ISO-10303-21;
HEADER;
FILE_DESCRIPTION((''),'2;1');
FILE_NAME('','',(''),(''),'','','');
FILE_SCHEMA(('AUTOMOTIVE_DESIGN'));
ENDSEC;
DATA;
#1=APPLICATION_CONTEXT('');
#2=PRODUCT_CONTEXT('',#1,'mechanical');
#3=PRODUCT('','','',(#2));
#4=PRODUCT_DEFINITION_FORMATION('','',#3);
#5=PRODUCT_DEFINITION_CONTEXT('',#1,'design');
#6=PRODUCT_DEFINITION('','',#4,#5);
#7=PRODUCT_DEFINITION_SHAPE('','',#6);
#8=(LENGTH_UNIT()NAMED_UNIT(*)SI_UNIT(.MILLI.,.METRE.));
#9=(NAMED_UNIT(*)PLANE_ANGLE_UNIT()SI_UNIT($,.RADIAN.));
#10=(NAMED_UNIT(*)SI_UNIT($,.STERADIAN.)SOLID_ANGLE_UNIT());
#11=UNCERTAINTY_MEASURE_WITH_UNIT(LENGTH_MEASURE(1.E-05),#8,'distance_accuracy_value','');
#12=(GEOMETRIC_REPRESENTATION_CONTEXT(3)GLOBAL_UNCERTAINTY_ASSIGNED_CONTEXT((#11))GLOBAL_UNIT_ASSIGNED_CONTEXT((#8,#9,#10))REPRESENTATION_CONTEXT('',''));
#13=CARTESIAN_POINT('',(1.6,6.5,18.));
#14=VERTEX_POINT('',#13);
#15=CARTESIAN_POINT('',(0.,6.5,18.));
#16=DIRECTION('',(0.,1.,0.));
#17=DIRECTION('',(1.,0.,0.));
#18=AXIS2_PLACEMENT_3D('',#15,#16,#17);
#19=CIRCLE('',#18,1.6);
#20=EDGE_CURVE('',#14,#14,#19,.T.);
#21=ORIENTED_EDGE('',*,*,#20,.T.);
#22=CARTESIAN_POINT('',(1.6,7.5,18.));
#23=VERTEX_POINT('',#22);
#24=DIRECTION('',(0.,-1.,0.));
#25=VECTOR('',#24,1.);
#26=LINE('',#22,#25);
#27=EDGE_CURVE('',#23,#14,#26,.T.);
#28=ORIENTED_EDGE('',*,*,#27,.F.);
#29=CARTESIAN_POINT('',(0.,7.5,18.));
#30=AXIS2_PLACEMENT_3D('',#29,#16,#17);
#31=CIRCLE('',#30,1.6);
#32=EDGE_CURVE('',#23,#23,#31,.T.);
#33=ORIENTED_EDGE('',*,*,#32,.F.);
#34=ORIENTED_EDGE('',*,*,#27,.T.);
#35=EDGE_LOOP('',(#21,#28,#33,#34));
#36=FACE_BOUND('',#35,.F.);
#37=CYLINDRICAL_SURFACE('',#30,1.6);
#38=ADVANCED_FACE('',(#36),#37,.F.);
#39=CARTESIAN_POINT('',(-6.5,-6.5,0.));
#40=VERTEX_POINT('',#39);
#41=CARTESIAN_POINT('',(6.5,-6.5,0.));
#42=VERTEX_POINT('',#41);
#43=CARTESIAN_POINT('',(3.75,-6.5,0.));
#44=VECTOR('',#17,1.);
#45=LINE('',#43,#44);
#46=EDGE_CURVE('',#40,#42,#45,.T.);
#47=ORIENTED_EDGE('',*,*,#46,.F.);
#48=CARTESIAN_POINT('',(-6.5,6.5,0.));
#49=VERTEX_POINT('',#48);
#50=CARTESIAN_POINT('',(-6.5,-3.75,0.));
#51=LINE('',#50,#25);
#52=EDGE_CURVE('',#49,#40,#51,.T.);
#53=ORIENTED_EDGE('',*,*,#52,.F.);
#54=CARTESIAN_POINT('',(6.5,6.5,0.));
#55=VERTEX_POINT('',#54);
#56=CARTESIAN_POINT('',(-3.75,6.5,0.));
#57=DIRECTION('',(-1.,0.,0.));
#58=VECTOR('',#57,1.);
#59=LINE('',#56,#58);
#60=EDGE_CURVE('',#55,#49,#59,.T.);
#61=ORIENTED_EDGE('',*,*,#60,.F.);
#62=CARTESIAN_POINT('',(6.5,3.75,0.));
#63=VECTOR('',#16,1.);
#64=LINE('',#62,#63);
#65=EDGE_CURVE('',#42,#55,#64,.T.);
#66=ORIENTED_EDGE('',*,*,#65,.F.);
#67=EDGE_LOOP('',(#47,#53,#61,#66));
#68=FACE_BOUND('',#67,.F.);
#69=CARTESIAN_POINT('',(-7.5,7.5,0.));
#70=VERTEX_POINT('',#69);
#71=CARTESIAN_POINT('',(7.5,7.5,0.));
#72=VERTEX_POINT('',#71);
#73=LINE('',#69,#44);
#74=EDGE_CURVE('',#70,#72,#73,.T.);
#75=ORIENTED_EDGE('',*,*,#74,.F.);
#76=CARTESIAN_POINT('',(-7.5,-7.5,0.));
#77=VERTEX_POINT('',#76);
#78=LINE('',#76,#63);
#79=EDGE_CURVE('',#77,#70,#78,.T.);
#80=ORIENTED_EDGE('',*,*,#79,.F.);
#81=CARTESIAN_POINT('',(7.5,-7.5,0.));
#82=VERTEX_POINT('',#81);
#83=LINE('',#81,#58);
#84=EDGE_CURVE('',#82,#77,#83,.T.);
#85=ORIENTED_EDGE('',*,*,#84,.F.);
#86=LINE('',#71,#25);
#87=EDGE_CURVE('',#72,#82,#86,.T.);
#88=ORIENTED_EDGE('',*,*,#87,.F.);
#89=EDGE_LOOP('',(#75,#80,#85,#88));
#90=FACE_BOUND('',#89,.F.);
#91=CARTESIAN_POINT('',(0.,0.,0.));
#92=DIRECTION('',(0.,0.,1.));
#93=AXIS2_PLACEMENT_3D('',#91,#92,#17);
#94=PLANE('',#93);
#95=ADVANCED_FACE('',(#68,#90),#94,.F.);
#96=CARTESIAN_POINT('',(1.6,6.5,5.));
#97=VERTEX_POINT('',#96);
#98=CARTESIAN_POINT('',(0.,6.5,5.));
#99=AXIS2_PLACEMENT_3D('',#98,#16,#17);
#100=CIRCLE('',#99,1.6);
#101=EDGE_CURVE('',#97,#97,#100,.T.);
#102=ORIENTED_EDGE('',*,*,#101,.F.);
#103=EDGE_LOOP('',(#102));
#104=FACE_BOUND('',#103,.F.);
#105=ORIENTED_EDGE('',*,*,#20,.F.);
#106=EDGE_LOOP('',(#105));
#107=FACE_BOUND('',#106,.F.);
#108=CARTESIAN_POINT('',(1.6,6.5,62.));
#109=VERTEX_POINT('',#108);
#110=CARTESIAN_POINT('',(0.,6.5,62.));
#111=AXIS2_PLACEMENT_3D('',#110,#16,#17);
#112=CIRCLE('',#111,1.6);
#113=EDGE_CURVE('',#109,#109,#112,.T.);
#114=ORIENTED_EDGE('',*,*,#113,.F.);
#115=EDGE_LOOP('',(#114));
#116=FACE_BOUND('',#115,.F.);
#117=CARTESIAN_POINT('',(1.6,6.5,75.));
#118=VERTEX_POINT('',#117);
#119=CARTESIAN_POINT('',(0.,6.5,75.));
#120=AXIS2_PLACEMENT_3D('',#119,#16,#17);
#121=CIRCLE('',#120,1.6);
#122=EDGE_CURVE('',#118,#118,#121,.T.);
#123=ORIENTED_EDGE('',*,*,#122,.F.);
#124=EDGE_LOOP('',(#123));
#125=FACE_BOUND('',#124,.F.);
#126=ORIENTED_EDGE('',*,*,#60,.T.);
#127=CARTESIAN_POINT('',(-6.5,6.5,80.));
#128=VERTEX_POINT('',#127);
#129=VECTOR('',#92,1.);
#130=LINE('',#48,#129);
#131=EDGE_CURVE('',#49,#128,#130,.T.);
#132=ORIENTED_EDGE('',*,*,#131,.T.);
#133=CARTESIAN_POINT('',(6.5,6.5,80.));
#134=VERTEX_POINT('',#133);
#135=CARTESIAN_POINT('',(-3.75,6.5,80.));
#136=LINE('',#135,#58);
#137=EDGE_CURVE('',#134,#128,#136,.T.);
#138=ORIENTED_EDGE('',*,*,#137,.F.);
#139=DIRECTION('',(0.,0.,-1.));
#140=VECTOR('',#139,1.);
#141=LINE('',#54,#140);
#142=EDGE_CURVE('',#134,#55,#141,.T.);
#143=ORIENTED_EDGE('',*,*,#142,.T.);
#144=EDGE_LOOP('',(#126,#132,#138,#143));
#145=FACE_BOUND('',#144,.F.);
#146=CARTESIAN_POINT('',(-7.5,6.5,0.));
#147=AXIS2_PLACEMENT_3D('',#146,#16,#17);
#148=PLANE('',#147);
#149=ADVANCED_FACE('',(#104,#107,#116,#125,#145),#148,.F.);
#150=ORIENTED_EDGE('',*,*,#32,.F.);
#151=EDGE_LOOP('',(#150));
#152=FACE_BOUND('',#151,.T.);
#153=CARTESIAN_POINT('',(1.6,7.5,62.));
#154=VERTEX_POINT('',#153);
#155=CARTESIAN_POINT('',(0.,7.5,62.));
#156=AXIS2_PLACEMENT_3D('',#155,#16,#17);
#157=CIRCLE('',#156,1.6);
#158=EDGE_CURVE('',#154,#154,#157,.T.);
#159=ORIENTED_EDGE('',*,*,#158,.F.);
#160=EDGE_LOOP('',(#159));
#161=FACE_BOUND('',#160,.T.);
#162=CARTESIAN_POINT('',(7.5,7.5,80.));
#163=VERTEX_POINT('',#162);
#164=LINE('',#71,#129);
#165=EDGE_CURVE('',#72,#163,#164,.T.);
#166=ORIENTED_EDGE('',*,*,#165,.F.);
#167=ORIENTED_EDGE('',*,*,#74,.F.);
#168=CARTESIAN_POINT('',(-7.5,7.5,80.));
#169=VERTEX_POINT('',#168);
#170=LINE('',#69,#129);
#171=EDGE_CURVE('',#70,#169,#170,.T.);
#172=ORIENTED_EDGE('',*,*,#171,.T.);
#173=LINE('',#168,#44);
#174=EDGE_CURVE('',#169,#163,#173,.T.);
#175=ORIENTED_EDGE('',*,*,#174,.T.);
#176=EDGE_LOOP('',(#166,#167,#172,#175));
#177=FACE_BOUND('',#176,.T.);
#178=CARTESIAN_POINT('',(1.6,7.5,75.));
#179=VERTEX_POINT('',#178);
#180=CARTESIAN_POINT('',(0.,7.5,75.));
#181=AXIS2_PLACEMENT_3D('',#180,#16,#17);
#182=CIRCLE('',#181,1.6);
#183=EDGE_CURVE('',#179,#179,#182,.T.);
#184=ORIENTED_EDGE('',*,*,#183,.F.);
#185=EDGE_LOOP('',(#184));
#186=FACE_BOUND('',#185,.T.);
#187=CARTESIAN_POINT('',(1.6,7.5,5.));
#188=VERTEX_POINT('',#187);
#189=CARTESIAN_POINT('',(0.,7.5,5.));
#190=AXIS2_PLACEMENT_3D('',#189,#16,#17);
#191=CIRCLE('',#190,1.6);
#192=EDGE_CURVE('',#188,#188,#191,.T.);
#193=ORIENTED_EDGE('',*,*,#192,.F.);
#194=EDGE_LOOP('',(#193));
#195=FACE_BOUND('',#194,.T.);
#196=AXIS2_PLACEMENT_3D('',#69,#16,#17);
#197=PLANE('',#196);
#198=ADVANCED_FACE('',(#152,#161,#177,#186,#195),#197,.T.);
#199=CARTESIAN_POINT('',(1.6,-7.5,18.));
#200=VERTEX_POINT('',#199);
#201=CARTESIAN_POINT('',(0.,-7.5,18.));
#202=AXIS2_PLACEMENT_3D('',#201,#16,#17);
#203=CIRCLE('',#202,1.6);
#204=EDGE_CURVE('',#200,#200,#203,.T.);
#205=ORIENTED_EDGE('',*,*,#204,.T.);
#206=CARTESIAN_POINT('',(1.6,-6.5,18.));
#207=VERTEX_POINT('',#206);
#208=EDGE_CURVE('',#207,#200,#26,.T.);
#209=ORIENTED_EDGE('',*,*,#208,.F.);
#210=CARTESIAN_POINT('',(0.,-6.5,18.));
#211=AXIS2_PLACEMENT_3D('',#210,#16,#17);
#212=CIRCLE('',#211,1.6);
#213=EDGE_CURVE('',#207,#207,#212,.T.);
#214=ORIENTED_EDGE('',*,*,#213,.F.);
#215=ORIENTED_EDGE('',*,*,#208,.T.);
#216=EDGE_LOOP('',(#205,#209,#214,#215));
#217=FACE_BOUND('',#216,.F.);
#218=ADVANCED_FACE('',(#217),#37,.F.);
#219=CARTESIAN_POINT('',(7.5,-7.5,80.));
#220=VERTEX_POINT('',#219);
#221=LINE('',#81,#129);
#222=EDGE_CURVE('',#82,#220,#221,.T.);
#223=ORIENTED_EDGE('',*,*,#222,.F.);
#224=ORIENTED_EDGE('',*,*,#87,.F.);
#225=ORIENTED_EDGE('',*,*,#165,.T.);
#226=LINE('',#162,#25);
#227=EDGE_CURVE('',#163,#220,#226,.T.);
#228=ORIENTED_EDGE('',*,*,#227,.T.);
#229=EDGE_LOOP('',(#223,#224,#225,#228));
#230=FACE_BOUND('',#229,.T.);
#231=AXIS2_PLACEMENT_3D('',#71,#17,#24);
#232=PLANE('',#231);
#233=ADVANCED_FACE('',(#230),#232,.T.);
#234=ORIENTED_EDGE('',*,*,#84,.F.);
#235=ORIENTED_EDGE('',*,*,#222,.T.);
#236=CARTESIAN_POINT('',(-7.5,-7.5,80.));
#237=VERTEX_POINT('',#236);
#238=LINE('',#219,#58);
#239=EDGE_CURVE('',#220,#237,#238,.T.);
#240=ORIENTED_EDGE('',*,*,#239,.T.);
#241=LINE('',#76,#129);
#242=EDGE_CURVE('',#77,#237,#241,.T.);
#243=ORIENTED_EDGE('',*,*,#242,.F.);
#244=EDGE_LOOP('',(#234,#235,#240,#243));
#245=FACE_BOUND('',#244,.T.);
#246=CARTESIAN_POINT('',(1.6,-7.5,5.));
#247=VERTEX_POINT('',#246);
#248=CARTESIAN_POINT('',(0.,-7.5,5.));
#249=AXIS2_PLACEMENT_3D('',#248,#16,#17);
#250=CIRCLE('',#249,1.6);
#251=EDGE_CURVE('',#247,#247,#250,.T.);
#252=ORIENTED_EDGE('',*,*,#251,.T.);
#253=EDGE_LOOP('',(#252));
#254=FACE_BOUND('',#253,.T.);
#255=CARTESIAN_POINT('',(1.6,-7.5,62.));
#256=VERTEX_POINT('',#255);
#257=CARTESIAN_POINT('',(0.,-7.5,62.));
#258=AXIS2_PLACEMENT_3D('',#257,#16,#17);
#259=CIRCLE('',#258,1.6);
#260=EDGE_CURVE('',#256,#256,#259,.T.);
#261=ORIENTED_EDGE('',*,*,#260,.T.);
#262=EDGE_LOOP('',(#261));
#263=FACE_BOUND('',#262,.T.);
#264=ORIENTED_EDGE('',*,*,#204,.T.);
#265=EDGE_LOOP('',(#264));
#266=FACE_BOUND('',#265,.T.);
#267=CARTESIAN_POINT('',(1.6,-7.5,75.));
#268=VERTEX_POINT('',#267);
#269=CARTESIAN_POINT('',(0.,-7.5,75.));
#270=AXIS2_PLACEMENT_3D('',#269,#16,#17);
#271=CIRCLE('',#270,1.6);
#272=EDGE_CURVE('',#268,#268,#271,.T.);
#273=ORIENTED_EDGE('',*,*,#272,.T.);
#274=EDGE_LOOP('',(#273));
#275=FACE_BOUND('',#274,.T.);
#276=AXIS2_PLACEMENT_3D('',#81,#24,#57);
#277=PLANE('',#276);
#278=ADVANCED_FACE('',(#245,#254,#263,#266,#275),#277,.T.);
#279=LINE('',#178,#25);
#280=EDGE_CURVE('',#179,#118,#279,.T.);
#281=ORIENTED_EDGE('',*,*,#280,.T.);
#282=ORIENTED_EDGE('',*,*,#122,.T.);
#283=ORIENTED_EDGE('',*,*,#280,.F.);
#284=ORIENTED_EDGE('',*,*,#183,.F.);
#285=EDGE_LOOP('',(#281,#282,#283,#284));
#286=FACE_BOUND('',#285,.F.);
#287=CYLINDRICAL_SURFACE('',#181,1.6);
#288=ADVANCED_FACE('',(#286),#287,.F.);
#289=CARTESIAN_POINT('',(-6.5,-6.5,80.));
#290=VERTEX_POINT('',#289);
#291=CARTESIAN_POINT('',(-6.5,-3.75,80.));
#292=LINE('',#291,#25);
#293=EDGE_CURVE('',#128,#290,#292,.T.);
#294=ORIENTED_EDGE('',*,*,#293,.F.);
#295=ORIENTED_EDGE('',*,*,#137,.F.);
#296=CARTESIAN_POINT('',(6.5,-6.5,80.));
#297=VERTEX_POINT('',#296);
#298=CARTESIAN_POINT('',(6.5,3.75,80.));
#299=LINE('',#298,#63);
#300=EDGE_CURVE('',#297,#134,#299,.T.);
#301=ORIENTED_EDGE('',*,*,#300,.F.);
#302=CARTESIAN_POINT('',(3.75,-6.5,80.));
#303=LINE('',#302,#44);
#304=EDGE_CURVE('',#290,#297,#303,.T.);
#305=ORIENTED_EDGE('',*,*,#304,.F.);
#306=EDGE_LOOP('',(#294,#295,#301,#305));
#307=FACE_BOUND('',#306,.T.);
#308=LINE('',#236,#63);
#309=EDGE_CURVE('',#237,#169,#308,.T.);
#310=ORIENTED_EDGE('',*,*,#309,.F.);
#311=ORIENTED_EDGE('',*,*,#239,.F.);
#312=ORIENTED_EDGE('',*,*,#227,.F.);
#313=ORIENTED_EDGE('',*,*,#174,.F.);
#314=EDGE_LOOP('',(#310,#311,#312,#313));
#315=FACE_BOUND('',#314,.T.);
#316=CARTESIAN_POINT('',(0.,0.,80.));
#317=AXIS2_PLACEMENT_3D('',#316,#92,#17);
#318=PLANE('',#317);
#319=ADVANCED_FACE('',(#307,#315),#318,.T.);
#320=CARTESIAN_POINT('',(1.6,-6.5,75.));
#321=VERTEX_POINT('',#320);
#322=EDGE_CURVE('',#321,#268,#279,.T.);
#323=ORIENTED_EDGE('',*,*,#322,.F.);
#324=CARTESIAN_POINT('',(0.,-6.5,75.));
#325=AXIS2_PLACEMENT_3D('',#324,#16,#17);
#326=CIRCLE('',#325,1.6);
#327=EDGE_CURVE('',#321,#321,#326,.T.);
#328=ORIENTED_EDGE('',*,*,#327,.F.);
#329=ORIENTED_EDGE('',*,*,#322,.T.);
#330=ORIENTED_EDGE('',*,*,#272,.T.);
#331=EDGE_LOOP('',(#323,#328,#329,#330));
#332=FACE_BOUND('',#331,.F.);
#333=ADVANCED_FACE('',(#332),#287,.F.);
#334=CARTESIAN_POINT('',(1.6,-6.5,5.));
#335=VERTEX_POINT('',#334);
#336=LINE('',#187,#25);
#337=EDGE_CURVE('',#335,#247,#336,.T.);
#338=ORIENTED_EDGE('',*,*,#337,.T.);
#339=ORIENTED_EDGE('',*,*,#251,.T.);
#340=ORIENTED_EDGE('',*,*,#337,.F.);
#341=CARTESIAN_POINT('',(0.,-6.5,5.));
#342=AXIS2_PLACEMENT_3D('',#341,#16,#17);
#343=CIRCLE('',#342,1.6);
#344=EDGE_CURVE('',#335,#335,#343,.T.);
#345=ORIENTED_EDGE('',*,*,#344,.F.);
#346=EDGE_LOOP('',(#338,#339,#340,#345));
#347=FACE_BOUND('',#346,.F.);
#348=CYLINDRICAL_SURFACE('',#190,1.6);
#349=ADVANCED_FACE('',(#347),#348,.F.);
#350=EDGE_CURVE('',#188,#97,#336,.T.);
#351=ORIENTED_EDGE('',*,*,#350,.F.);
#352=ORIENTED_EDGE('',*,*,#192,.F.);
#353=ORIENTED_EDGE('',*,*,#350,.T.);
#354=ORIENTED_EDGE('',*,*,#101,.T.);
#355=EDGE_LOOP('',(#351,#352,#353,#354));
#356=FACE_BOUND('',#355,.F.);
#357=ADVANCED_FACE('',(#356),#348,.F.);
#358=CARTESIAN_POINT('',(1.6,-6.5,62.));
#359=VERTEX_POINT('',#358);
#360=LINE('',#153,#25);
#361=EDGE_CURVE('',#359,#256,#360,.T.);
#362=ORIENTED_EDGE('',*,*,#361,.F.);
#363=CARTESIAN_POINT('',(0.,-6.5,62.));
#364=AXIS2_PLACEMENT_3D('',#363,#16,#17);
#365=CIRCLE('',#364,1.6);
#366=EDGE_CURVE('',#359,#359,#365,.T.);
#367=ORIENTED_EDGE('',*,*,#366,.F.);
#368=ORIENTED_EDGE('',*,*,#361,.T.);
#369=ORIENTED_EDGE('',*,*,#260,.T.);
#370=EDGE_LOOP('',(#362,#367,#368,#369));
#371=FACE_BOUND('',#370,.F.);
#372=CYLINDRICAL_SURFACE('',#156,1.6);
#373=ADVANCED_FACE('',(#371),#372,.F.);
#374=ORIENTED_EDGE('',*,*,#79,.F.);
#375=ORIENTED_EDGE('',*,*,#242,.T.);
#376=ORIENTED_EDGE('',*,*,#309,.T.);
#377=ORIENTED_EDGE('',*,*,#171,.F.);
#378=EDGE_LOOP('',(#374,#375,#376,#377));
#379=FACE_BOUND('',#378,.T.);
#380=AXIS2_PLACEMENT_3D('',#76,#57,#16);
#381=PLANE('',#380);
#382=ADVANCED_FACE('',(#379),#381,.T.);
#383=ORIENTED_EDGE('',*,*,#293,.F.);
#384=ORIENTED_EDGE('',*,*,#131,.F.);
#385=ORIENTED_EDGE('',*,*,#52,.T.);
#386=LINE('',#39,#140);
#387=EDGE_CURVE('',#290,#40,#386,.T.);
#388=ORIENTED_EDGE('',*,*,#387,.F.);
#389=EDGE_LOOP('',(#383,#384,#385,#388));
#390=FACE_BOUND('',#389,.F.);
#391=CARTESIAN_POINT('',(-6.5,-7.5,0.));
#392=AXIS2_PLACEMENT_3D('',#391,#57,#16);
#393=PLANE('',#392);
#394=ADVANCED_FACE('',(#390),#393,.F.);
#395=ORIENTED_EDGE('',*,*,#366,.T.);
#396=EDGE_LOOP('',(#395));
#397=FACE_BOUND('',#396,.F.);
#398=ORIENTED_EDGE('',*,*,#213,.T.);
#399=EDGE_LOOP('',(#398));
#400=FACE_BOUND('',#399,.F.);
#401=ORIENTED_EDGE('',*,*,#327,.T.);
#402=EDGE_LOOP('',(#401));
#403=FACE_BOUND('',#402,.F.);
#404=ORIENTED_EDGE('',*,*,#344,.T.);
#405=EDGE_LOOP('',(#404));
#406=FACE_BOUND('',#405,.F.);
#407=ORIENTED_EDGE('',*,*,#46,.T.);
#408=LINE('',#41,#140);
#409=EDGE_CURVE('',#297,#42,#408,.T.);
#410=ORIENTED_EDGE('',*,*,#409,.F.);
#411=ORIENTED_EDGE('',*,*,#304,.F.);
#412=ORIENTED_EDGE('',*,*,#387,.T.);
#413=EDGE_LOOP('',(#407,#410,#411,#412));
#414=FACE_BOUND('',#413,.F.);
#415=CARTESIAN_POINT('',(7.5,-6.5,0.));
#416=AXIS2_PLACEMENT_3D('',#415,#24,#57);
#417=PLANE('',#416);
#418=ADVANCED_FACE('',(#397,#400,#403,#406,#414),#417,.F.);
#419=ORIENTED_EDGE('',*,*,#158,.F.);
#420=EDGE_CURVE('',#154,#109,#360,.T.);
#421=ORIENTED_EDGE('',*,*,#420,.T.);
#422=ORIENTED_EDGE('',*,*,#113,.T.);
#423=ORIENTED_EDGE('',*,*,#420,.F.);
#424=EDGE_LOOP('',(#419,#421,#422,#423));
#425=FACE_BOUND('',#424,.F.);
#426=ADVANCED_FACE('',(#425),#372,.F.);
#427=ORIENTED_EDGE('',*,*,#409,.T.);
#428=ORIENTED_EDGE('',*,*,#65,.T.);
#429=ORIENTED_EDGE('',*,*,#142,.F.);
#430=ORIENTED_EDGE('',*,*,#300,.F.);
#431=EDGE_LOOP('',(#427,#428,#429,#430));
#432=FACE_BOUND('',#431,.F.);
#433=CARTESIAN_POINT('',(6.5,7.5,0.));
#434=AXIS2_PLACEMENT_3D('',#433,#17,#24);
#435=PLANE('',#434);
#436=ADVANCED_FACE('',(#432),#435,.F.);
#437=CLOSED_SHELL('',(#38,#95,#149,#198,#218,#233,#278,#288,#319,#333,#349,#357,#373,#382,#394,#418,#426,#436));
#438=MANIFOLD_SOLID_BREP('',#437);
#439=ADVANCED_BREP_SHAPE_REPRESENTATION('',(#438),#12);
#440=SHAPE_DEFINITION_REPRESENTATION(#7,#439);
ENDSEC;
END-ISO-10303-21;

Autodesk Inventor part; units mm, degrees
ref_plane "YZ Plane" through (0, 0, 0) normal (1, 0, 0) x (0, 1, 0)
ref_plane "XZ Plane" through (0, 0, 0) normal (0, 1, 0) x (-1, 0, 0)
ref_plane "XY Plane" through (0, 0, 0) normal (0, 0, 1) x (1, 0, 0)
sketch "スケッチ1" plane through (0, 0, 0) normal (0, 0, 1) x (1, 0, 0)
  line L0 (-7.5, 7.5) -> (7.5, 7.5)
  line L1 (7.5, 7.5) -> (7.5, -7.5)
  line L2 (7.5, -7.5) -> (-7.5, -7.5)
  line L3 (-7.5, -7.5) -> (-7.5, 7.5)
  point P0 (0, 0)
  point P1 (-7.5, 0)
  point P2 (0, 7.5)
  dimension "d0" = 15
  dimension "d1" = 15
extrude "押し出し1" add sketch "スケッチ1" along normal blind 80
shell "シェル1" thickness 1 removed faces 2 at (-2.5, -2.5, 0) at (-2.5, -2.5, 80)
sketch "スケッチ2" plane through (-7.5, 7.5, 0) normal (0, 1, 0) x (1, 0, 0)
  circle A0 centre (7.5, -5) radius 1.6
  circle A1 centre (7.5, -18) radius 1.6
  circle A2 centre (7.5, -62) radius 1.6
  circle A3 centre (7.5, -75) radius 1.6
  line L0 (15, 0) -> (0, 0) projected
  line L1 (15, -80) -> (0, -80) projected
  point P0 (7.5, 0)
  point P1 (7.5, 0)
  point P2 (7.5, 0)
  dimension "d5" = 3.2
  dimension "d6" = 3.2
  dimension "d7" = 3.2
  dimension "d8" = 3.2
  dimension "d9" = 5
  dimension "d10" = 13
  dimension "d11" = 5
  dimension "d12" = 13
extrude "押し出し2" cut sketch "スケッチ2" against normal through all
properties part number "pipe_sholder_roll2pitch" material "アルミニウム 6061"
